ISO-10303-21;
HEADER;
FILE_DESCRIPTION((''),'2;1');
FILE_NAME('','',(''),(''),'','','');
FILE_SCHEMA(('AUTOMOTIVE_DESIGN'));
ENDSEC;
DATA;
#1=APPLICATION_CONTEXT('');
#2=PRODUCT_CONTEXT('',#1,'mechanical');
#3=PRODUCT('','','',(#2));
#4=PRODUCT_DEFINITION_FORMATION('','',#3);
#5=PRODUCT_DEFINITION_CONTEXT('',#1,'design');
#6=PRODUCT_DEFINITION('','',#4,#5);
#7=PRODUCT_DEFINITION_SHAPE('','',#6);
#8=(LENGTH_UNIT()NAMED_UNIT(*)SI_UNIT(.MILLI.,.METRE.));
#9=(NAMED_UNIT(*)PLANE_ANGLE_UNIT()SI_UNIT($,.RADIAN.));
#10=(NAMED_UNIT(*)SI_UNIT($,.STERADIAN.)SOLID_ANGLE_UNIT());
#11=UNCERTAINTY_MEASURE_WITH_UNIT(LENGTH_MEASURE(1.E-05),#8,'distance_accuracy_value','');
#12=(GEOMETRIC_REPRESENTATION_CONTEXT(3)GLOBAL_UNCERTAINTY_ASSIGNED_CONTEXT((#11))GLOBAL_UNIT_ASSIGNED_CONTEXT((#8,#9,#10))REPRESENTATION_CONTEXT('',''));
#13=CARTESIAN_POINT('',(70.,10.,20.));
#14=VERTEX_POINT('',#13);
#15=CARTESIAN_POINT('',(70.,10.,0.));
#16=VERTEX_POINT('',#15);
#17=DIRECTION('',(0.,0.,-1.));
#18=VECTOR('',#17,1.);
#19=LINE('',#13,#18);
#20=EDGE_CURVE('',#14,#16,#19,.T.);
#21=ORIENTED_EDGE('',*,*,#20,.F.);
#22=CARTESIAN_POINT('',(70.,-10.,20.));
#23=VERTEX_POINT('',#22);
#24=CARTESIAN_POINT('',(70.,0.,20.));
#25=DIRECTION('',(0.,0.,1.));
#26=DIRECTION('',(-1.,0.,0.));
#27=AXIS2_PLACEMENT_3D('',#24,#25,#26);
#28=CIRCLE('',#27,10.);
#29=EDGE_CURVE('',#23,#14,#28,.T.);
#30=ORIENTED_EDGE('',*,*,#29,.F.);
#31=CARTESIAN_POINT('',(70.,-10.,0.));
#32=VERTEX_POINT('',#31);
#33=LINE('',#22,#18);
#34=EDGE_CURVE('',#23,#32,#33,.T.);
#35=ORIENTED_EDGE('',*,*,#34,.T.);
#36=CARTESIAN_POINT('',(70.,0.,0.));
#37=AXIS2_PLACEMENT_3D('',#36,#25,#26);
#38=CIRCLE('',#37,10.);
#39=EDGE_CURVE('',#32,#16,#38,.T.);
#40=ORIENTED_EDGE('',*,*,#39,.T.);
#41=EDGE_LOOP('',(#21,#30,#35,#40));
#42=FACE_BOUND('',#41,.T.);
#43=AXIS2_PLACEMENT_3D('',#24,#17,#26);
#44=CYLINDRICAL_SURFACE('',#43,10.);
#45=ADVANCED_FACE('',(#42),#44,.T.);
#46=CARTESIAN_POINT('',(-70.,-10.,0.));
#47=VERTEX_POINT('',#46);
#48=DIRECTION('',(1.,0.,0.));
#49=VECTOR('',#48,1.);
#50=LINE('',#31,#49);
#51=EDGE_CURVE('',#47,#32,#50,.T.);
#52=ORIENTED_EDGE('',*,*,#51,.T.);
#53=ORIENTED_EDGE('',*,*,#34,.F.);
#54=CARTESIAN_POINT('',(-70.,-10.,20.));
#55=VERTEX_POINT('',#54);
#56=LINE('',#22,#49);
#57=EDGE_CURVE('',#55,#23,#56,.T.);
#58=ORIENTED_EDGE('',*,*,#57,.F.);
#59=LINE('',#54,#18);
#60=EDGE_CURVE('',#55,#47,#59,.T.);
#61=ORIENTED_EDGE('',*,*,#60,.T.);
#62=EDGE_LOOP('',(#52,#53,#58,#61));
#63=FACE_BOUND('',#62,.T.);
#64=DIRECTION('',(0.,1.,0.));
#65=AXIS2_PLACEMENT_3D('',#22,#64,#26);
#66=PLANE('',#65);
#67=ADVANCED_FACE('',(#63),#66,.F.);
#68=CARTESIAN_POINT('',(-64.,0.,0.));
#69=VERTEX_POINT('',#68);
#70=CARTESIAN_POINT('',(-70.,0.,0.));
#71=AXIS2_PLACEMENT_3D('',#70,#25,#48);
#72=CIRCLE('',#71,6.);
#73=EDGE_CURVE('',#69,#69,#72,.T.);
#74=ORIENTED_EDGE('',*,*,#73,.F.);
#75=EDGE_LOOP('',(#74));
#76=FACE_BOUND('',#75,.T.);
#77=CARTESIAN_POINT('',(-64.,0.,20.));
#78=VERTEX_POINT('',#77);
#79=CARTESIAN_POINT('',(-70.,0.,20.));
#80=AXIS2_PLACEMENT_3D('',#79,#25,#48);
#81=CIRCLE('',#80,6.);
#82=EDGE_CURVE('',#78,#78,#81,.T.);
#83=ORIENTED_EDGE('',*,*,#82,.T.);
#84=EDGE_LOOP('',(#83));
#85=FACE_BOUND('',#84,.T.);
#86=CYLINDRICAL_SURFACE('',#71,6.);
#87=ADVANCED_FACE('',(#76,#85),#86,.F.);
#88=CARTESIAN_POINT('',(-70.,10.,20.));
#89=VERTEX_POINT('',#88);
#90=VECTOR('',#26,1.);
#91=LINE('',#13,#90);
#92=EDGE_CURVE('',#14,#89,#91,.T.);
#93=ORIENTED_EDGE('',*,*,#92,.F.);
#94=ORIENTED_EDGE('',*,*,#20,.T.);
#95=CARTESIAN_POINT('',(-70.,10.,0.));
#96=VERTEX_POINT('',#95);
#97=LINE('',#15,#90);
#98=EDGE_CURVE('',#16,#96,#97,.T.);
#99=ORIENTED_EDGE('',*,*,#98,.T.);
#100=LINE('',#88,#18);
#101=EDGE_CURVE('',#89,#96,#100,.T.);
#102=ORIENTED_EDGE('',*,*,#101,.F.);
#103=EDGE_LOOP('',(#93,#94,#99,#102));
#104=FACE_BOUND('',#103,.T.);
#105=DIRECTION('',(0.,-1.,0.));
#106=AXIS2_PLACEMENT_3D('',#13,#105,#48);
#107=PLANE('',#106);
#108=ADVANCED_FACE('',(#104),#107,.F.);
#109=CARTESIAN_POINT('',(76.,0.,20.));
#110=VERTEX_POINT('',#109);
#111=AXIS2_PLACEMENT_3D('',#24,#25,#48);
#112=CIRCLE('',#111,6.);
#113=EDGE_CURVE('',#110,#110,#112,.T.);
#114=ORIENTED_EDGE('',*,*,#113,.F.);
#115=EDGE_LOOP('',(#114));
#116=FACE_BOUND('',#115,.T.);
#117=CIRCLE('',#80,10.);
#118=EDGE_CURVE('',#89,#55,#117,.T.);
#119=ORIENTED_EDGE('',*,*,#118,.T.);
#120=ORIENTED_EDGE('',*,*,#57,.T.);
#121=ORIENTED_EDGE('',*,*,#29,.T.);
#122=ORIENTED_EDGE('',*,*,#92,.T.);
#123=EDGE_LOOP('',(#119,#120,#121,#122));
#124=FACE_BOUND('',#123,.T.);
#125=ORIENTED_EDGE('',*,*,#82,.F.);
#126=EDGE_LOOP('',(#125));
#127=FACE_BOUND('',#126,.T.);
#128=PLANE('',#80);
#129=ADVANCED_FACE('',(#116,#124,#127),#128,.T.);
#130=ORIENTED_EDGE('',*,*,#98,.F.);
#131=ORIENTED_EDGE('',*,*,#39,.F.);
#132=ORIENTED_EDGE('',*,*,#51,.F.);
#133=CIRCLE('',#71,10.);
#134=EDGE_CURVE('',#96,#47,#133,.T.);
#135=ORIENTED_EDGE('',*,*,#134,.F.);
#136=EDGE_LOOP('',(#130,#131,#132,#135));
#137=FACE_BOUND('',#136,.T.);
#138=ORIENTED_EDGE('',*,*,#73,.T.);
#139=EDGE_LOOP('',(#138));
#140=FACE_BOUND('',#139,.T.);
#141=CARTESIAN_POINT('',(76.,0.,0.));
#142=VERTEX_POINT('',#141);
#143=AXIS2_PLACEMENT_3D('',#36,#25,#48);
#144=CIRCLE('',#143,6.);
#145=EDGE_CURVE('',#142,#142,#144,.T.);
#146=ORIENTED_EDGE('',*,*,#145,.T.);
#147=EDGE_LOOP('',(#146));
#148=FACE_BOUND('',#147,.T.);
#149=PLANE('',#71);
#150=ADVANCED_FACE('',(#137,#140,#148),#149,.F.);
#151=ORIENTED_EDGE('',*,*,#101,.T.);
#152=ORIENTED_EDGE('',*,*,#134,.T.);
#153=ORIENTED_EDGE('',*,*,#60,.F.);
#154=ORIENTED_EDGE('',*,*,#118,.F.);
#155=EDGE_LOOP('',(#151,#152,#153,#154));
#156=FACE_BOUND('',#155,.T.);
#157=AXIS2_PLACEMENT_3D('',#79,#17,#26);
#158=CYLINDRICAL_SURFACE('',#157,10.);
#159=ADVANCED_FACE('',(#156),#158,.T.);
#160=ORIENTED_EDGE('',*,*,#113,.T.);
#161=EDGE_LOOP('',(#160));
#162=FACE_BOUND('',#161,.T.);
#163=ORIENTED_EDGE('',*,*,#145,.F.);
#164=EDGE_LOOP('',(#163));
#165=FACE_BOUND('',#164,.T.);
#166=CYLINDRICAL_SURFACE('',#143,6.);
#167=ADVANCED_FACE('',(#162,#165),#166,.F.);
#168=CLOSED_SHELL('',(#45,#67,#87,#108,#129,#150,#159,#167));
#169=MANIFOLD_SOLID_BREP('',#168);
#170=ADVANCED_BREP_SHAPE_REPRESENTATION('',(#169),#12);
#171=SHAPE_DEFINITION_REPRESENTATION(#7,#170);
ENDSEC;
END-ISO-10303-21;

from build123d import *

# Parameters (mm, degrees)
BOSS_EXTRUDE1_DEPTH = 20
SKETCH2_R           = 6
CUT_EXTRUDE1_DEPTH  = 84.066238629


with BuildPart() as part:
    # Sketch1 → Boss-Extrude1 (new body)
    with BuildSketch(Plane.XY):
        with BuildLine():
            Line((70, -10), (-70, -10))
            ThreePointArc((-70, -10), (-80, 0), (-70, 10))
            Line((-70, 10), (70, 10))
            ThreePointArc((70, 10), (80, 0), (70, -10))
        make_face()
    extrude(amount=BOSS_EXTRUDE1_DEPTH)

    # Sketch2 → Cut-Extrude1 (cut, through all)
    with BuildSketch(Plane.XY.offset(20)):
        with Locations((-70, 0)):
            Circle(SKETCH2_R)
        with Locations((70, 0)):
            Circle(SKETCH2_R)
    extrude(amount=-CUT_EXTRUDE1_DEPTH, mode=Mode.SUBTRACT)


solid = part.part
